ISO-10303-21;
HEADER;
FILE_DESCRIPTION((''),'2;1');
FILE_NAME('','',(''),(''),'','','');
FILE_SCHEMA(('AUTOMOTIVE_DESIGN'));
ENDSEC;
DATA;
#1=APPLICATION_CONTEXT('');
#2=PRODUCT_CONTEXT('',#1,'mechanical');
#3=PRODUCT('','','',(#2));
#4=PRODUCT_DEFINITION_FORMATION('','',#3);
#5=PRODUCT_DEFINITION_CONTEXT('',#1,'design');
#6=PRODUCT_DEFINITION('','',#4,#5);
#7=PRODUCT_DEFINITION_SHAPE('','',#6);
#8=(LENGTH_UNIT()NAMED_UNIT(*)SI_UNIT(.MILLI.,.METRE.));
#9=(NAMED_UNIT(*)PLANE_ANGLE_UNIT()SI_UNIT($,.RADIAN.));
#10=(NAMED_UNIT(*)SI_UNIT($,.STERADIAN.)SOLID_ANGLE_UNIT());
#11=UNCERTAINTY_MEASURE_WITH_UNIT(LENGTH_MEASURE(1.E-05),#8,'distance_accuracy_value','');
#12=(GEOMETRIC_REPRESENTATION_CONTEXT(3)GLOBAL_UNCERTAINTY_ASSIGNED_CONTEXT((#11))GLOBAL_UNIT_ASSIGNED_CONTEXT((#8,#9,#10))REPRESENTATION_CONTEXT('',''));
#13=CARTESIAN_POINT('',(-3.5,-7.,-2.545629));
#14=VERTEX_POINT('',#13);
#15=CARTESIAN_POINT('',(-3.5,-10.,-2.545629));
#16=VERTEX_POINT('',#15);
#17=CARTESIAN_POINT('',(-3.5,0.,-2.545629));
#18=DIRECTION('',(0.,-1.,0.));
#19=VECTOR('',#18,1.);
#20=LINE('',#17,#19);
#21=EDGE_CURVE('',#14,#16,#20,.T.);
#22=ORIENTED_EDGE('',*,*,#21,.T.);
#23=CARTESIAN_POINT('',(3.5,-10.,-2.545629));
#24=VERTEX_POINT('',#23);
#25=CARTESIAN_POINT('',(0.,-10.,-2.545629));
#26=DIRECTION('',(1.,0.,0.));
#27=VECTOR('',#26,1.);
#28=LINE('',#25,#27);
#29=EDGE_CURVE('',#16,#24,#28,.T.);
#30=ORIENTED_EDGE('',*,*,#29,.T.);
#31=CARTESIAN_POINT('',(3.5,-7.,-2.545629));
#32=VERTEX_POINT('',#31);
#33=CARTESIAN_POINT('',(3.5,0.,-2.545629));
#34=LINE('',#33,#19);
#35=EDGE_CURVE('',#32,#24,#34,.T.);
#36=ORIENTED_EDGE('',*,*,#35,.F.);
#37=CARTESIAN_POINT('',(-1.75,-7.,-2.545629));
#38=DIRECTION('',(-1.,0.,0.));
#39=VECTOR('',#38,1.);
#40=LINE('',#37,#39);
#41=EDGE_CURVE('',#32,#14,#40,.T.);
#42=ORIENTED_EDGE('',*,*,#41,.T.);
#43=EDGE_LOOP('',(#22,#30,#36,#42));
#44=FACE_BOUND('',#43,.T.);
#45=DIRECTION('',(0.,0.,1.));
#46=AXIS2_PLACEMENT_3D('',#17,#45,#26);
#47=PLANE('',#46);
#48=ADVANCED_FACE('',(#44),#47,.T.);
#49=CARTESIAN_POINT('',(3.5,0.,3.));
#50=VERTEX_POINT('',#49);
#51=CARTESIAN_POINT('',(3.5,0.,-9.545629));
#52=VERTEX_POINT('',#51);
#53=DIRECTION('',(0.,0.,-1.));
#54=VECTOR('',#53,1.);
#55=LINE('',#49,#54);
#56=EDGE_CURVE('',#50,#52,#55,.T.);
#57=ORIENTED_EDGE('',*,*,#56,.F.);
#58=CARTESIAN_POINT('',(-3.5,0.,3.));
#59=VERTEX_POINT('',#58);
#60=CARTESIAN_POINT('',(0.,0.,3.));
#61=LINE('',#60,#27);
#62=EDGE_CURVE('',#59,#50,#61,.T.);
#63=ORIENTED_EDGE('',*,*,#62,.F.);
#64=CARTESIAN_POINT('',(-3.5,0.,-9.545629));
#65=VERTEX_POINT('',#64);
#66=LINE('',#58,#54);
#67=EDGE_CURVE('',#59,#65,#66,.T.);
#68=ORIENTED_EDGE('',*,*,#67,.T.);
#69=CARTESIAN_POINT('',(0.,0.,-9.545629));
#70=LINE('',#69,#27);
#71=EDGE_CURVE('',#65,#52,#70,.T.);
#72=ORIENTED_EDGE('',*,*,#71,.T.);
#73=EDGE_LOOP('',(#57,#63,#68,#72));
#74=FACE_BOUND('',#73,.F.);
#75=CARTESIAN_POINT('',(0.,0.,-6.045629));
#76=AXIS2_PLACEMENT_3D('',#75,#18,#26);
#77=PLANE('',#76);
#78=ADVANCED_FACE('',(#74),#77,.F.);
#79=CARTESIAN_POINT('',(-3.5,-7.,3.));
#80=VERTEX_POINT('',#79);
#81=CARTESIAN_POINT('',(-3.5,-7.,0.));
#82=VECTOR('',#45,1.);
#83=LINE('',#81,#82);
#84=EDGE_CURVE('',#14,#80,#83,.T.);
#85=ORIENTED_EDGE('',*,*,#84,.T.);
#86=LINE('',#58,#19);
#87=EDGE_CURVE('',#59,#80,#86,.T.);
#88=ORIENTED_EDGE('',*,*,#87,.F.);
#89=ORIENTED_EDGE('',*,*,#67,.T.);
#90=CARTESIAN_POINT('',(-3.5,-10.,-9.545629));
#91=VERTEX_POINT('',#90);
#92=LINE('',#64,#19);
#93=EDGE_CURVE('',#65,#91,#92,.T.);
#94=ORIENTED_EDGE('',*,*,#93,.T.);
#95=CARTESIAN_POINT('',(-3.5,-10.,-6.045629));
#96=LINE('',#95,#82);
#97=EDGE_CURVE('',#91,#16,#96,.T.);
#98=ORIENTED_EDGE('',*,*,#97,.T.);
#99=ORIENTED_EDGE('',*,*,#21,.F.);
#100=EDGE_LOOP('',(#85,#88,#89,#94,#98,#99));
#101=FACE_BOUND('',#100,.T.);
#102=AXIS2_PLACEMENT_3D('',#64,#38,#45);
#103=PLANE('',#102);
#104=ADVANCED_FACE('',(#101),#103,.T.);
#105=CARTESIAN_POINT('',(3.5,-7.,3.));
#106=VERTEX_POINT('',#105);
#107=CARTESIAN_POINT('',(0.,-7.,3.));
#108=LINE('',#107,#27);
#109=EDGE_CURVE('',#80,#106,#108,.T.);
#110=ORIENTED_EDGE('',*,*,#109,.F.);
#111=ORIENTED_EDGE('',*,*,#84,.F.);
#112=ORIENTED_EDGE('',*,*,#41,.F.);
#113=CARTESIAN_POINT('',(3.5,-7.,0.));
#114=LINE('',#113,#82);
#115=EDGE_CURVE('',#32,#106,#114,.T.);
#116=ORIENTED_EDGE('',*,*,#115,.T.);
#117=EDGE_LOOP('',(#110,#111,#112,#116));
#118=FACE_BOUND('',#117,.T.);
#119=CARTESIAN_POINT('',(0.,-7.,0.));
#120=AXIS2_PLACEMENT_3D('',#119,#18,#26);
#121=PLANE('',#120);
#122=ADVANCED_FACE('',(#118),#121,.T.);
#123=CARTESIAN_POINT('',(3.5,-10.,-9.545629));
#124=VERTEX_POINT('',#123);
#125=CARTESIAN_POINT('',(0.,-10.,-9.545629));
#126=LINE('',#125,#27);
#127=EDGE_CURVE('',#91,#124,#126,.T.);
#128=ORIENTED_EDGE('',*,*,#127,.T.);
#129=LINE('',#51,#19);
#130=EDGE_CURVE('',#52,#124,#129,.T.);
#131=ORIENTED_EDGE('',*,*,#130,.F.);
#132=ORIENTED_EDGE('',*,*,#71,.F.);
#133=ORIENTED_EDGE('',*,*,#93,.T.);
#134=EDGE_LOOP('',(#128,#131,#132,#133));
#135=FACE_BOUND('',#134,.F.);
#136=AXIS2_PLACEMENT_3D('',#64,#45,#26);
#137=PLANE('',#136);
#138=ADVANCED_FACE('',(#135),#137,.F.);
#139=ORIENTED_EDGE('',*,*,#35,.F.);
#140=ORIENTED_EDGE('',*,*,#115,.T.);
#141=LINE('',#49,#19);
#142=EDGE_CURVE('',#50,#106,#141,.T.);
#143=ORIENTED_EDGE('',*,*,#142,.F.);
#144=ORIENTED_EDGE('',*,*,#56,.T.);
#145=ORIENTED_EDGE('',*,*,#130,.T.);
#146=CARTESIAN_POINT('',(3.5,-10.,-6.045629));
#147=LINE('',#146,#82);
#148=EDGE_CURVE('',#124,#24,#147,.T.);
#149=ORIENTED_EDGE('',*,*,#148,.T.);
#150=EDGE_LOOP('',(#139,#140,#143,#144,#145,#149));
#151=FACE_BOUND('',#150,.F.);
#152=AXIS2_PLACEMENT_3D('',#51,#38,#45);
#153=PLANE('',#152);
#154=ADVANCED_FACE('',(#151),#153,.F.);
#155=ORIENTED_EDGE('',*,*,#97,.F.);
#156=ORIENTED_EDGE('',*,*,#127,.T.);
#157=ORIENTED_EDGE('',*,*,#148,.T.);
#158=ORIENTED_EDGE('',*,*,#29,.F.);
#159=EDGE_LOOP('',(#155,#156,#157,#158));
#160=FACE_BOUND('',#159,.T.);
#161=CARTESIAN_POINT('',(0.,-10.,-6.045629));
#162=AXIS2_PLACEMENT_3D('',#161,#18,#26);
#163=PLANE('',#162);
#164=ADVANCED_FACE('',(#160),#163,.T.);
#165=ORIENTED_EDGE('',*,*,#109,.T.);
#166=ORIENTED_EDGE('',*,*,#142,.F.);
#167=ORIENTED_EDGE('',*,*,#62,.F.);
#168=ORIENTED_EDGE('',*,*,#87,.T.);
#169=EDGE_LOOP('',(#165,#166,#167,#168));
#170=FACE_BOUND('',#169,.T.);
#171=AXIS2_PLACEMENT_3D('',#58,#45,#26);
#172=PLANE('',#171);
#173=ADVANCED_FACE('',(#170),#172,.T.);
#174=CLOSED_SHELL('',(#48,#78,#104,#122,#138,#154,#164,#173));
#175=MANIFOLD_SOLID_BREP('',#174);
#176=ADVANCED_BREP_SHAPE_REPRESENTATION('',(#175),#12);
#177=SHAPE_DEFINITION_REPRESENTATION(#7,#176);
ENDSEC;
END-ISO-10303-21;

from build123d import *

# Parameters (mm, degrees)
F0_W     = 7
F0_H     = 6
F2_DEPTH = 7
F1_W     = 7
F1_H     = 7
F3_DEPTH = 10


with BuildPart() as f2:
    # F0 (on Front) → F2 (new body)
    with BuildSketch(Plane.XZ):
        Rectangle(F0_W, F0_H)
    extrude(amount=F2_DEPTH)

    # F1 (on Front) → F3 (join)
    with BuildSketch(Plane.XZ):
        with Locations((0, -6.045629)):
            Rectangle(F1_W, F1_H)
    extrude(amount=F3_DEPTH)


solid = f2.part
